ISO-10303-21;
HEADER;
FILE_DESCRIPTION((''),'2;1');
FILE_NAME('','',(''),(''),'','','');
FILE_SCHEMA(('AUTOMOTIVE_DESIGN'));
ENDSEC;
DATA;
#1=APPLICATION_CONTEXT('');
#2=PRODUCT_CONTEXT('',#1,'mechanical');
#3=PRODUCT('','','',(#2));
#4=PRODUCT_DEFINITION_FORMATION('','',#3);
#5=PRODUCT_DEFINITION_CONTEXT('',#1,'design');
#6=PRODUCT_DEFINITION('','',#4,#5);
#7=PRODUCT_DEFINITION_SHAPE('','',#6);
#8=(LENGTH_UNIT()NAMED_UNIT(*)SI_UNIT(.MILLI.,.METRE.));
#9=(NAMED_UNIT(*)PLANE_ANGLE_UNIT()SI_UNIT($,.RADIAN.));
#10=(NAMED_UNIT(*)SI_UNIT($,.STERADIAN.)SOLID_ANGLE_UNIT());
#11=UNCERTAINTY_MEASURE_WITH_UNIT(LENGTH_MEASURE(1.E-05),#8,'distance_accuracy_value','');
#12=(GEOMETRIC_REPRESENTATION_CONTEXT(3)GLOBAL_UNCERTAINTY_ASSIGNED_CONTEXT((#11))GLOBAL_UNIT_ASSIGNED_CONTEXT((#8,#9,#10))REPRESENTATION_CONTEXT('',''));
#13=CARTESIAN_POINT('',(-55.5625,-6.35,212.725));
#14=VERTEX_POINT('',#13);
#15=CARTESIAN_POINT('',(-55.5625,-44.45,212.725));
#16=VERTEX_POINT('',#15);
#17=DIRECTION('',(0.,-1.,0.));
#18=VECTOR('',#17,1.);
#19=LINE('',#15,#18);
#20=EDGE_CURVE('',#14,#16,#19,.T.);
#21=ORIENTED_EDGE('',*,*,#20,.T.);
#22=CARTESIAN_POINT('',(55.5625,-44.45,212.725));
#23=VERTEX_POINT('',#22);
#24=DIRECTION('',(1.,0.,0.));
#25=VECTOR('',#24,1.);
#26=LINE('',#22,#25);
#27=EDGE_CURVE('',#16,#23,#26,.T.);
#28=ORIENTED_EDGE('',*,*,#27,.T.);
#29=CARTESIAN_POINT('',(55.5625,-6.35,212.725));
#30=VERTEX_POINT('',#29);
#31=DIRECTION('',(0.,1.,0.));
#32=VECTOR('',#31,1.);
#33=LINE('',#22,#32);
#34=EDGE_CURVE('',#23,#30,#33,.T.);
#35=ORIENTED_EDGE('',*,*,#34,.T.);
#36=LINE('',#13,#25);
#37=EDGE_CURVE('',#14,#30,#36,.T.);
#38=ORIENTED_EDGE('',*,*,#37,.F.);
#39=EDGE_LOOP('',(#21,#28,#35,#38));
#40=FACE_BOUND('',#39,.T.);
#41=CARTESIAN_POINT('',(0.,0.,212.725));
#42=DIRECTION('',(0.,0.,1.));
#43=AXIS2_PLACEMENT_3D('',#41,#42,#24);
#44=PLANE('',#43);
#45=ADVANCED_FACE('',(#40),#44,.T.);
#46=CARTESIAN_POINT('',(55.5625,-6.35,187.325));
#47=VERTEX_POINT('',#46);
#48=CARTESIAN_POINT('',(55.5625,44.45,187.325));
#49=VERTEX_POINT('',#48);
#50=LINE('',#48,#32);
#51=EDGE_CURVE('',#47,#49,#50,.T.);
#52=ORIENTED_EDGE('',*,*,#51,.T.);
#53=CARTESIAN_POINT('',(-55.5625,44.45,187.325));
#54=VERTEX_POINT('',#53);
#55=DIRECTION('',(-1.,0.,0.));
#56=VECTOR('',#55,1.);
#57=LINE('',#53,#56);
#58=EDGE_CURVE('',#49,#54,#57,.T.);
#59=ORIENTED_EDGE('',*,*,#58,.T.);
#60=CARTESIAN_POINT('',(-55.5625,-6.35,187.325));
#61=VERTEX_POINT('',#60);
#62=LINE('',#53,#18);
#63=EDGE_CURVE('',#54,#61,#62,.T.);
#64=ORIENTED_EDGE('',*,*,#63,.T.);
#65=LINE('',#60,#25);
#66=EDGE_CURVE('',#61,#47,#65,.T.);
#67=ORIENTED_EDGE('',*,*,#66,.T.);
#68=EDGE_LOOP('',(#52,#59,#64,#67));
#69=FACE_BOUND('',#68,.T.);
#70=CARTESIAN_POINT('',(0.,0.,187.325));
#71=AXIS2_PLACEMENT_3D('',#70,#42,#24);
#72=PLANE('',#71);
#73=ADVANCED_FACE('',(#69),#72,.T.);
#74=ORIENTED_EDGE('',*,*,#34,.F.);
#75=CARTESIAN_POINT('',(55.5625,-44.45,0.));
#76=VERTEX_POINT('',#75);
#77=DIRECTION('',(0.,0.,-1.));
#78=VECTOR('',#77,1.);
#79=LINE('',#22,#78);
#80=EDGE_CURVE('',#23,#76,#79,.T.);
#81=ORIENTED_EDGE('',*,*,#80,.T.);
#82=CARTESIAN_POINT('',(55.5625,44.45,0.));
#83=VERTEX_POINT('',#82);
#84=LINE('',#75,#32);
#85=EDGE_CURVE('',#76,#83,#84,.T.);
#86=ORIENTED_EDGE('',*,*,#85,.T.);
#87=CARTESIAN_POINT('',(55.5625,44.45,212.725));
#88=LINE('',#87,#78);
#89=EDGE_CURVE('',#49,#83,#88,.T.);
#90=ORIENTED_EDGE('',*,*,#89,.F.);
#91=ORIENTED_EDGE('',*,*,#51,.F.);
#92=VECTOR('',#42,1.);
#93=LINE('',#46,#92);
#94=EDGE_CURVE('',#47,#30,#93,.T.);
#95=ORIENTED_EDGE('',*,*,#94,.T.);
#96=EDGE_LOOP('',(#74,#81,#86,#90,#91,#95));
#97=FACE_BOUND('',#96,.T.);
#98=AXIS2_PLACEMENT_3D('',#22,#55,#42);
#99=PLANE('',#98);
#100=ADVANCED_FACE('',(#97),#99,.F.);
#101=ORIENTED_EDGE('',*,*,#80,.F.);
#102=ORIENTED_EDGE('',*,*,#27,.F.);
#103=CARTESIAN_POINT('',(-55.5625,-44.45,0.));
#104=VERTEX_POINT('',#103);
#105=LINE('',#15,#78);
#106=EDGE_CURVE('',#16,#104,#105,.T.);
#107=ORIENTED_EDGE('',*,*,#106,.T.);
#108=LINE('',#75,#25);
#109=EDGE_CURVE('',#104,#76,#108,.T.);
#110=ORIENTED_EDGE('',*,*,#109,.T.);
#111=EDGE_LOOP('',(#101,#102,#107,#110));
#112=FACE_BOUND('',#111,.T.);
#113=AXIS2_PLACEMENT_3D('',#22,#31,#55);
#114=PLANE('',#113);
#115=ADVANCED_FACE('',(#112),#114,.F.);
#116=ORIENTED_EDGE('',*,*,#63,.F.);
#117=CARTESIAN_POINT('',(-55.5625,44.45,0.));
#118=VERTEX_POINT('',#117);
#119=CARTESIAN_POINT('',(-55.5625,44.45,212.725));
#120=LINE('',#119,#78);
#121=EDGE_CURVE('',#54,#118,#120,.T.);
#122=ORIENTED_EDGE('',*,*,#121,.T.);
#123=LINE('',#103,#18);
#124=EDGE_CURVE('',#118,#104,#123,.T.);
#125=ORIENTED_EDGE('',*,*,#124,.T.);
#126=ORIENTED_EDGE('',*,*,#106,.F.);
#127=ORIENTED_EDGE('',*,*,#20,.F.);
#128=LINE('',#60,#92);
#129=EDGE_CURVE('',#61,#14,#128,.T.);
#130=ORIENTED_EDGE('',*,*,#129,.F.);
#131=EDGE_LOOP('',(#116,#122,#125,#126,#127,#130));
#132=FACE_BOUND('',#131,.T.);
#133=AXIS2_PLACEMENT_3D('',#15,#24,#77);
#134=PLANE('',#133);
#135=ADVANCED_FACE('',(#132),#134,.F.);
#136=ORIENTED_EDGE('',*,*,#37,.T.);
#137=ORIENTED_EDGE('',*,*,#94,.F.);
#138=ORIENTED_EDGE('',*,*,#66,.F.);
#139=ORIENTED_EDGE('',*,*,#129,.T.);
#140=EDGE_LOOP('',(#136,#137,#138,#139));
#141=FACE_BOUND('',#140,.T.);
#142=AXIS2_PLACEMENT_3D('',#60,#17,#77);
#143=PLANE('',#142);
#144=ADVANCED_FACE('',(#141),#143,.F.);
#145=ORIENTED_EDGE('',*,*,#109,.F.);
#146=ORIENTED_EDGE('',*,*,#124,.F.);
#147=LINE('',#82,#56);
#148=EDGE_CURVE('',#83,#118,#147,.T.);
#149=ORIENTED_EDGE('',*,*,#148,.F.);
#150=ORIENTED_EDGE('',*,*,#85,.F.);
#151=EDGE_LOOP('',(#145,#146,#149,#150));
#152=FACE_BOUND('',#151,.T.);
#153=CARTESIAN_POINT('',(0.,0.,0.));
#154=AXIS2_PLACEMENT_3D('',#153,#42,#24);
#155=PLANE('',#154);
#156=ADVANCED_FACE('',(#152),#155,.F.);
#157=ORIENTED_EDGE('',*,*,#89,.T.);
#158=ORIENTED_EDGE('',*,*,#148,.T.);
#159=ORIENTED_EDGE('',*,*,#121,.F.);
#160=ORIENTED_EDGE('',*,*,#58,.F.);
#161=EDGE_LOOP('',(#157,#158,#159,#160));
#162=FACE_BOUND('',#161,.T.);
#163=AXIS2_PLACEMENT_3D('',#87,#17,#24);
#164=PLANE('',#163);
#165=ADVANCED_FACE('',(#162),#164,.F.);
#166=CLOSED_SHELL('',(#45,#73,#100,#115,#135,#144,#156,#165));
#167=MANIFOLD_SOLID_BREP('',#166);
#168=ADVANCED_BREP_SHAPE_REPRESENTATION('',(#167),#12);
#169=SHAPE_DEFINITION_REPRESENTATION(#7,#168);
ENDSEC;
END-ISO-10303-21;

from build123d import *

# Parameters (mm, degrees)
SKETCH2_W           = 111.125
SKETCH2_H           = 88.9
BOSS_EXTRUDE1_DEPTH = 212.725
SKETCH4_W           = 111.125
SKETCH4_H           = 50.8
CUT_EXTRUDE1_DEPTH  = 25.4


with BuildPart() as part:
    # Sketch2 → Boss-Extrude1 (new body)
    with BuildSketch(Plane.XY):
        Rectangle(SKETCH2_W, SKETCH2_H)
    extrude(amount=BOSS_EXTRUDE1_DEPTH)

    # Sketch4 → Cut-Extrude1 (cut)
    with BuildSketch(Plane.XY.offset(212.725)):
        with Locations((0, 19.05)):
            Rectangle(SKETCH4_W, SKETCH4_H)
    extrude(amount=-CUT_EXTRUDE1_DEPTH, mode=Mode.SUBTRACT)


solid = part.part
